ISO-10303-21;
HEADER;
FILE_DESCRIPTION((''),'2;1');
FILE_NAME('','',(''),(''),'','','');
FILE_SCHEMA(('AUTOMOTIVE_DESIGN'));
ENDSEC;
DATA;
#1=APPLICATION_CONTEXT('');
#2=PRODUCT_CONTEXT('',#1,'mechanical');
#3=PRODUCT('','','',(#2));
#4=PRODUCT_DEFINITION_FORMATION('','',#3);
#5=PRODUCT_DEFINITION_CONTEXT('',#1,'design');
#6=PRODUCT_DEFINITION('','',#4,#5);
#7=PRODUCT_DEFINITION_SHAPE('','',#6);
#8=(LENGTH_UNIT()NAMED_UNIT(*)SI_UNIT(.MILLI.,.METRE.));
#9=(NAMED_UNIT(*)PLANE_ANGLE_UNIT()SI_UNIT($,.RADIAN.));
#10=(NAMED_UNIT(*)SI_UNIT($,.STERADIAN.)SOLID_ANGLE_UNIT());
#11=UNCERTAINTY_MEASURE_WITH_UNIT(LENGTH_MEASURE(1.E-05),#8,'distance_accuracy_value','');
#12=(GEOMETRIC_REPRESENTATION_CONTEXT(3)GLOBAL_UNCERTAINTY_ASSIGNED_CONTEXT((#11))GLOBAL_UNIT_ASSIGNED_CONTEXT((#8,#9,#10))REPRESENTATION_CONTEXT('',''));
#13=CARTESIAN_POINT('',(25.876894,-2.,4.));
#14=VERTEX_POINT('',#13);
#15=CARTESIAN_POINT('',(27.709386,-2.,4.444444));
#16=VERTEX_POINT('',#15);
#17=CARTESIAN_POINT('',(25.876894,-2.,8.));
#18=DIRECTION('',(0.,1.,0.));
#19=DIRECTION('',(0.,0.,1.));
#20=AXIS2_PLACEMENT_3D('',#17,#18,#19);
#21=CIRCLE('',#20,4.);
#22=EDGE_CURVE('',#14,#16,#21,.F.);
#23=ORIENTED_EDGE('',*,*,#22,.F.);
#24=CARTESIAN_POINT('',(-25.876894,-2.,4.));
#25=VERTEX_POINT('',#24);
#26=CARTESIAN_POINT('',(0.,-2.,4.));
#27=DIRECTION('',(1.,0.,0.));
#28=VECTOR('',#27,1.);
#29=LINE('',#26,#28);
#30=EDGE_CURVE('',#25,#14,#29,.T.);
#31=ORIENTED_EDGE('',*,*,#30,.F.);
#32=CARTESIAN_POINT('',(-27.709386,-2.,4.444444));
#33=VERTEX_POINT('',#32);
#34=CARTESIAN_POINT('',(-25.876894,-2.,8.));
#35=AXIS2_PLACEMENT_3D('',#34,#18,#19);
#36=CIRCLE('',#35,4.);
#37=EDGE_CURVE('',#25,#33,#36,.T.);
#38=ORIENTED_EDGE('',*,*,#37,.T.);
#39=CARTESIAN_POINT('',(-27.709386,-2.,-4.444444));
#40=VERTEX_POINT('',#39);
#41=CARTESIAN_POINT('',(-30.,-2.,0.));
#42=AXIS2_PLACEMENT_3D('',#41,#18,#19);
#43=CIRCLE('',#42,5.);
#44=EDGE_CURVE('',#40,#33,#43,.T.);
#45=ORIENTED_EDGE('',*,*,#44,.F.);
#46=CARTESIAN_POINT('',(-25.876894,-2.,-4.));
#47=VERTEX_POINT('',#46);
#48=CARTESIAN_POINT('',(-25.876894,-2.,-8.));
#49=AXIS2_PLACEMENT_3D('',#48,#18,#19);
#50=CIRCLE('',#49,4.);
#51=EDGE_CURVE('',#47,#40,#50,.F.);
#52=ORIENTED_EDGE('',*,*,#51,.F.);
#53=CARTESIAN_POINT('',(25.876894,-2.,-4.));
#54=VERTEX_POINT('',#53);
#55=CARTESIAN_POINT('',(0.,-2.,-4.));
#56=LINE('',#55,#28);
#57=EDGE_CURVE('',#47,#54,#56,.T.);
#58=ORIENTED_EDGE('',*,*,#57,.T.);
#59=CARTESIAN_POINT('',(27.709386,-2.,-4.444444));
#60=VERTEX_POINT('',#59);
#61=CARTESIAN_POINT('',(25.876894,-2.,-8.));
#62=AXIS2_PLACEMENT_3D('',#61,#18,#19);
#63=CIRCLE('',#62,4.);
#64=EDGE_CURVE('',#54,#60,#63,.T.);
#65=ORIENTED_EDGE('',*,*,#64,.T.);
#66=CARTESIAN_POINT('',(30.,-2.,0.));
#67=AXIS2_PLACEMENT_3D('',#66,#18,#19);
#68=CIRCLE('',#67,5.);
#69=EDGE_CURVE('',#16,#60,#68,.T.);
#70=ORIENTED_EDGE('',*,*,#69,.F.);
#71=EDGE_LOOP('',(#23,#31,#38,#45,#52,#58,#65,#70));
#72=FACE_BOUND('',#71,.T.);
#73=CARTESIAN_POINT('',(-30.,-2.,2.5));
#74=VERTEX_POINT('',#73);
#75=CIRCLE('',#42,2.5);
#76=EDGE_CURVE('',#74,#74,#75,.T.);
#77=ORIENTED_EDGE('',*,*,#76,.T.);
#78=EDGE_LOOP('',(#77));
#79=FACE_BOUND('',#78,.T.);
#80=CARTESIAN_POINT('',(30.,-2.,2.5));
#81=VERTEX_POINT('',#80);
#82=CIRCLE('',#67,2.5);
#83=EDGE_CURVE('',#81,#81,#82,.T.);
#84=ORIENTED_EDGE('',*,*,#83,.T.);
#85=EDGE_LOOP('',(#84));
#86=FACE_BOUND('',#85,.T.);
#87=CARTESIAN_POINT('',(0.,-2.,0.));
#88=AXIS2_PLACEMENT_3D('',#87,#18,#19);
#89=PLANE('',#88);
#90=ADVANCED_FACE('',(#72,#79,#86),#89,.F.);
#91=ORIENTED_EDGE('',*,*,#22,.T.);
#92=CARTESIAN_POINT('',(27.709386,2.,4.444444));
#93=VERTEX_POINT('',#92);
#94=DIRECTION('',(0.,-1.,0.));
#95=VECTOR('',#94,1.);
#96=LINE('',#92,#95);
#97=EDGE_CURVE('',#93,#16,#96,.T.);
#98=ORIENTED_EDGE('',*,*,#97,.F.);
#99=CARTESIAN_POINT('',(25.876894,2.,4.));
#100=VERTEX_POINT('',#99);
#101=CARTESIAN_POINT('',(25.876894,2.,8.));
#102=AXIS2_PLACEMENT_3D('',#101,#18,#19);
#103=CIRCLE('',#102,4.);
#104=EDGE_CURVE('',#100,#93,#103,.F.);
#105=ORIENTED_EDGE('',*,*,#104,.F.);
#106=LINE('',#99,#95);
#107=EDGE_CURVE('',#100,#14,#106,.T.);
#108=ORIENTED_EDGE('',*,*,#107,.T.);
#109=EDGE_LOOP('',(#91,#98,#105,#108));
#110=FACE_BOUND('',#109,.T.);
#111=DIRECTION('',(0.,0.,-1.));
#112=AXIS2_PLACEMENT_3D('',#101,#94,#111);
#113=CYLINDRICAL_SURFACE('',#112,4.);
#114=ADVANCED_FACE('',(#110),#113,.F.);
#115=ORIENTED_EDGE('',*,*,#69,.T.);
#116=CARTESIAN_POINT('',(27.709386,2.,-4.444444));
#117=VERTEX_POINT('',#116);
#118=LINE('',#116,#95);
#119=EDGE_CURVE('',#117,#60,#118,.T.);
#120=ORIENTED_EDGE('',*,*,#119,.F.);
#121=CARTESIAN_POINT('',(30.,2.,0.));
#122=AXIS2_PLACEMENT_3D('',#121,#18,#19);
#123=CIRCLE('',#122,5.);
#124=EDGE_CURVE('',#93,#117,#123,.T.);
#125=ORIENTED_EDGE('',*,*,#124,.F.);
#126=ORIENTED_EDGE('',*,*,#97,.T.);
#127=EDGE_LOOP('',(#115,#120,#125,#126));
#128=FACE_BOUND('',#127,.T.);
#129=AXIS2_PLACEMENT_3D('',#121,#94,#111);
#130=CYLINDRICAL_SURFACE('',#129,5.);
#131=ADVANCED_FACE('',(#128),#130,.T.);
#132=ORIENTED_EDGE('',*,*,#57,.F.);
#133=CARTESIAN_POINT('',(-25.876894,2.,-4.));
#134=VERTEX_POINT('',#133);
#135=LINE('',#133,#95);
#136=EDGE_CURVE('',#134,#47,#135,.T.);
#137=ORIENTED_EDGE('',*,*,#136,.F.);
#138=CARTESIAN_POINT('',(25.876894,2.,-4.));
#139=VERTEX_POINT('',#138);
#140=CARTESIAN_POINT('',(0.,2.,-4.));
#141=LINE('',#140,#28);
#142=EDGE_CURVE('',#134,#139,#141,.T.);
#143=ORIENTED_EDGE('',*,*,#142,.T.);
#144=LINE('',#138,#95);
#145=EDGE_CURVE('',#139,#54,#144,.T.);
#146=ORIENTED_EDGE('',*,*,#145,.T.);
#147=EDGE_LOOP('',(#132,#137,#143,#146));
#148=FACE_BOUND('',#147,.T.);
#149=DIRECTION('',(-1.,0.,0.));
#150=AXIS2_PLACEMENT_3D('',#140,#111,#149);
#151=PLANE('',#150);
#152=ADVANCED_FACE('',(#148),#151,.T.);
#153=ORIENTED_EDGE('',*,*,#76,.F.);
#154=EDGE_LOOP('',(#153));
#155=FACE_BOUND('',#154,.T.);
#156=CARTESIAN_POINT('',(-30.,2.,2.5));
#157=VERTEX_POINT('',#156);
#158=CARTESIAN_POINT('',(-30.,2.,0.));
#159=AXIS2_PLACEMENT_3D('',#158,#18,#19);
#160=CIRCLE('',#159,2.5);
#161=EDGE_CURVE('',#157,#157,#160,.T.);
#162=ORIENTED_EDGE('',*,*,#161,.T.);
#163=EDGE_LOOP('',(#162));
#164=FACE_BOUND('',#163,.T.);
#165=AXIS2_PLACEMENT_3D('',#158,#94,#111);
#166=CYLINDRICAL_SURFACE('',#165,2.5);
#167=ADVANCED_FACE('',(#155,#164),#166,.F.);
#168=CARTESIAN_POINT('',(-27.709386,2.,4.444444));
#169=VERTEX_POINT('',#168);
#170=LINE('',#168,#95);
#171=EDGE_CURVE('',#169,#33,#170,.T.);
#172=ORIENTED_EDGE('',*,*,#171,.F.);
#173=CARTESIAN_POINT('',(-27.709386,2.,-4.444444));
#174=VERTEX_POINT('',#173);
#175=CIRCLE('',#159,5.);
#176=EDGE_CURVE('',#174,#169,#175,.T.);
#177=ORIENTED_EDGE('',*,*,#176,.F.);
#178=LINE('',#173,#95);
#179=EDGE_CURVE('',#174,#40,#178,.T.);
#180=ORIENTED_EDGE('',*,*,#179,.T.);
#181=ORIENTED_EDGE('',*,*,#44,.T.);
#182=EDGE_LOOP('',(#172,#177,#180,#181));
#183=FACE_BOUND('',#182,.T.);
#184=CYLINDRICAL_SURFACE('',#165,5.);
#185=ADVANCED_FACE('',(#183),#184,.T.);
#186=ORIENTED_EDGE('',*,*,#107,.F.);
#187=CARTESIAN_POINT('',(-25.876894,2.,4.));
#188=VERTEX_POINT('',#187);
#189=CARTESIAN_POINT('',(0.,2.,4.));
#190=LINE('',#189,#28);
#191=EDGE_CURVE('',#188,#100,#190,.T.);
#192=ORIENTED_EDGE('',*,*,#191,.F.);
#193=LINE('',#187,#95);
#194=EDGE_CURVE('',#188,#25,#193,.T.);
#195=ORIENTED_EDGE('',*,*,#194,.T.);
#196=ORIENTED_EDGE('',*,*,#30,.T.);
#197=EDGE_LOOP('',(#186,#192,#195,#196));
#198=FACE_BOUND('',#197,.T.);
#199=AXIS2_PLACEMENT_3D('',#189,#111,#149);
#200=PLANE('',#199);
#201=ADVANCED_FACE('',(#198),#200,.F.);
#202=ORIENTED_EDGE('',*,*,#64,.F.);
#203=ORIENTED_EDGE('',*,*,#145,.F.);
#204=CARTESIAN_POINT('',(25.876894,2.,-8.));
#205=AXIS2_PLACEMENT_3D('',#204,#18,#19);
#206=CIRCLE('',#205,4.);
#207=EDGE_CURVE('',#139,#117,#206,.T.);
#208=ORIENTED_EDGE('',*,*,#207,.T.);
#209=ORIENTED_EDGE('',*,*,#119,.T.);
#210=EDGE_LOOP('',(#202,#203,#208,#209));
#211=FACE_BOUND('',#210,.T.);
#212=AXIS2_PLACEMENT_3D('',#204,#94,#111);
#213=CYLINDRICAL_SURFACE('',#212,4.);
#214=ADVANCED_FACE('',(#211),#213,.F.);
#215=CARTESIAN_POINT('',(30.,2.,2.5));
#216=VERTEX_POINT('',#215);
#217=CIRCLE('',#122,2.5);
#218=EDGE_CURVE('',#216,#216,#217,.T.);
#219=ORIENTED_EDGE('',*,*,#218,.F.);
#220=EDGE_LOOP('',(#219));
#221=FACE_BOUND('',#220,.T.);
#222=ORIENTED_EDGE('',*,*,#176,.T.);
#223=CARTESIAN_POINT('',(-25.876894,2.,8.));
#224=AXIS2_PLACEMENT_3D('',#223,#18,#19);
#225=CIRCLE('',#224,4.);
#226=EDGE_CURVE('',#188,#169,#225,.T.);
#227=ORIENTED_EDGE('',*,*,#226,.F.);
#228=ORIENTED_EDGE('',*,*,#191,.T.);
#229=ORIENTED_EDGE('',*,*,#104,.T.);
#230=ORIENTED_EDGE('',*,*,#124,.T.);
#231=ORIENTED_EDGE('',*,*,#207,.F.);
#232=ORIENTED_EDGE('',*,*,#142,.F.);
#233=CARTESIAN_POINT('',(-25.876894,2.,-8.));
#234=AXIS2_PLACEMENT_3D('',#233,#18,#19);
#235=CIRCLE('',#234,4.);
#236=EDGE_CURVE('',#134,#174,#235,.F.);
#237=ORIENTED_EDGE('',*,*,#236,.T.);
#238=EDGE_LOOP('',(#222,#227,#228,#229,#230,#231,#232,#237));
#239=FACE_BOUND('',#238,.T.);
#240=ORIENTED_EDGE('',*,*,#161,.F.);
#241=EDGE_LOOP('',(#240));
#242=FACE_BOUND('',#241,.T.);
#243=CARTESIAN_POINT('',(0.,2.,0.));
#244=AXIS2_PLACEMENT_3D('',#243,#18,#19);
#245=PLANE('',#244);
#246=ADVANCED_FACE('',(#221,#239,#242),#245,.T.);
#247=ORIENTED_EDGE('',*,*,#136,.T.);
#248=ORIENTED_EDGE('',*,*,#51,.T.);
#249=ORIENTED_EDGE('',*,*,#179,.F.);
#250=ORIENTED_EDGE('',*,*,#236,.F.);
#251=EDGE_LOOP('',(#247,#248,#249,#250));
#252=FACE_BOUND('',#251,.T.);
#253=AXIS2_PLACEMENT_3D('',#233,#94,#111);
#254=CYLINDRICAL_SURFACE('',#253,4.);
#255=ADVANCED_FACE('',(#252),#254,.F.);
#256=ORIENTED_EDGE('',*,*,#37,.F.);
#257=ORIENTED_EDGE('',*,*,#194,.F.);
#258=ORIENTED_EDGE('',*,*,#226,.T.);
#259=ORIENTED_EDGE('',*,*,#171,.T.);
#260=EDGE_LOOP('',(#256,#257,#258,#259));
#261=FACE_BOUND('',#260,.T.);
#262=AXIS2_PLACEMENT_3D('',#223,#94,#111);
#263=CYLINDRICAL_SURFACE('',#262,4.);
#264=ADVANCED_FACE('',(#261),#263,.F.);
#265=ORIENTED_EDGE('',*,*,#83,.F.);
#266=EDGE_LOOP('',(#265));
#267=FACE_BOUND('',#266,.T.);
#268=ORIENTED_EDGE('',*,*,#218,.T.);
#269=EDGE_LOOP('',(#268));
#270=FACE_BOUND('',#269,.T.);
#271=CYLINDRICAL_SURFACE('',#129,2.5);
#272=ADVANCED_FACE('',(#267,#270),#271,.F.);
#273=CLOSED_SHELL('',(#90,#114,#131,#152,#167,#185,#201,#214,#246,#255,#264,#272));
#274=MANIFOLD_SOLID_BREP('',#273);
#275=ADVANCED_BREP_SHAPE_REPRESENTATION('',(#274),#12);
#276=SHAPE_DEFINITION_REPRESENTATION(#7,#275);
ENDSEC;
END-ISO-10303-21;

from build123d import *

# Parameters (mm, degrees)
SKETCH1_R           = 2.5
BOSS_EXTRUDE1_DEPTH = 2


with BuildPart() as part:
    # Sketch1 → Boss-Extrude1 (new, symmetric)
    with BuildSketch(Plane(origin=(0, 0, 0), x_dir=(1, 0, 0), z_dir=(0, 1, 0))):
        with BuildLine():
            Line((-25.876894374, 4), (25.876894374, 4))
            ThreePointArc((25.876894374, 4), (26.819703416, 4.112698737), (27.709385764, 4.444444444))
            ThreePointArc((27.709385764, 4.444444444), (35, 0), (27.709385764, -4.444444444))
            ThreePointArc((27.709385764, -4.444444444), (26.819703416, -4.112698737), (25.876894374, -4))
            Line((25.876894374, -4), (-25.876894374, -4))
            ThreePointArc((-25.876894374, -4), (-26.819703416, -4.112698737), (-27.709385764, -4.444444444))
            ThreePointArc((-27.709385764, -4.444444444), (-35, 0), (-27.709385764, 4.444444444))
            ThreePointArc((-27.709385764, 4.444444444), (-26.819703416, 4.112698737), (-25.876894374, 4))
        make_face()
        with Locations(Location((-30, 0, 0), (0, 0, 270))):
            Circle(SKETCH1_R, mode=Mode.SUBTRACT)
        with Locations(Location((30, 0, 0), (0, 0, 270))):
            Circle(SKETCH1_R, mode=Mode.SUBTRACT)
    extrude(amount=BOSS_EXTRUDE1_DEPTH, both=True)


solid = part.part
